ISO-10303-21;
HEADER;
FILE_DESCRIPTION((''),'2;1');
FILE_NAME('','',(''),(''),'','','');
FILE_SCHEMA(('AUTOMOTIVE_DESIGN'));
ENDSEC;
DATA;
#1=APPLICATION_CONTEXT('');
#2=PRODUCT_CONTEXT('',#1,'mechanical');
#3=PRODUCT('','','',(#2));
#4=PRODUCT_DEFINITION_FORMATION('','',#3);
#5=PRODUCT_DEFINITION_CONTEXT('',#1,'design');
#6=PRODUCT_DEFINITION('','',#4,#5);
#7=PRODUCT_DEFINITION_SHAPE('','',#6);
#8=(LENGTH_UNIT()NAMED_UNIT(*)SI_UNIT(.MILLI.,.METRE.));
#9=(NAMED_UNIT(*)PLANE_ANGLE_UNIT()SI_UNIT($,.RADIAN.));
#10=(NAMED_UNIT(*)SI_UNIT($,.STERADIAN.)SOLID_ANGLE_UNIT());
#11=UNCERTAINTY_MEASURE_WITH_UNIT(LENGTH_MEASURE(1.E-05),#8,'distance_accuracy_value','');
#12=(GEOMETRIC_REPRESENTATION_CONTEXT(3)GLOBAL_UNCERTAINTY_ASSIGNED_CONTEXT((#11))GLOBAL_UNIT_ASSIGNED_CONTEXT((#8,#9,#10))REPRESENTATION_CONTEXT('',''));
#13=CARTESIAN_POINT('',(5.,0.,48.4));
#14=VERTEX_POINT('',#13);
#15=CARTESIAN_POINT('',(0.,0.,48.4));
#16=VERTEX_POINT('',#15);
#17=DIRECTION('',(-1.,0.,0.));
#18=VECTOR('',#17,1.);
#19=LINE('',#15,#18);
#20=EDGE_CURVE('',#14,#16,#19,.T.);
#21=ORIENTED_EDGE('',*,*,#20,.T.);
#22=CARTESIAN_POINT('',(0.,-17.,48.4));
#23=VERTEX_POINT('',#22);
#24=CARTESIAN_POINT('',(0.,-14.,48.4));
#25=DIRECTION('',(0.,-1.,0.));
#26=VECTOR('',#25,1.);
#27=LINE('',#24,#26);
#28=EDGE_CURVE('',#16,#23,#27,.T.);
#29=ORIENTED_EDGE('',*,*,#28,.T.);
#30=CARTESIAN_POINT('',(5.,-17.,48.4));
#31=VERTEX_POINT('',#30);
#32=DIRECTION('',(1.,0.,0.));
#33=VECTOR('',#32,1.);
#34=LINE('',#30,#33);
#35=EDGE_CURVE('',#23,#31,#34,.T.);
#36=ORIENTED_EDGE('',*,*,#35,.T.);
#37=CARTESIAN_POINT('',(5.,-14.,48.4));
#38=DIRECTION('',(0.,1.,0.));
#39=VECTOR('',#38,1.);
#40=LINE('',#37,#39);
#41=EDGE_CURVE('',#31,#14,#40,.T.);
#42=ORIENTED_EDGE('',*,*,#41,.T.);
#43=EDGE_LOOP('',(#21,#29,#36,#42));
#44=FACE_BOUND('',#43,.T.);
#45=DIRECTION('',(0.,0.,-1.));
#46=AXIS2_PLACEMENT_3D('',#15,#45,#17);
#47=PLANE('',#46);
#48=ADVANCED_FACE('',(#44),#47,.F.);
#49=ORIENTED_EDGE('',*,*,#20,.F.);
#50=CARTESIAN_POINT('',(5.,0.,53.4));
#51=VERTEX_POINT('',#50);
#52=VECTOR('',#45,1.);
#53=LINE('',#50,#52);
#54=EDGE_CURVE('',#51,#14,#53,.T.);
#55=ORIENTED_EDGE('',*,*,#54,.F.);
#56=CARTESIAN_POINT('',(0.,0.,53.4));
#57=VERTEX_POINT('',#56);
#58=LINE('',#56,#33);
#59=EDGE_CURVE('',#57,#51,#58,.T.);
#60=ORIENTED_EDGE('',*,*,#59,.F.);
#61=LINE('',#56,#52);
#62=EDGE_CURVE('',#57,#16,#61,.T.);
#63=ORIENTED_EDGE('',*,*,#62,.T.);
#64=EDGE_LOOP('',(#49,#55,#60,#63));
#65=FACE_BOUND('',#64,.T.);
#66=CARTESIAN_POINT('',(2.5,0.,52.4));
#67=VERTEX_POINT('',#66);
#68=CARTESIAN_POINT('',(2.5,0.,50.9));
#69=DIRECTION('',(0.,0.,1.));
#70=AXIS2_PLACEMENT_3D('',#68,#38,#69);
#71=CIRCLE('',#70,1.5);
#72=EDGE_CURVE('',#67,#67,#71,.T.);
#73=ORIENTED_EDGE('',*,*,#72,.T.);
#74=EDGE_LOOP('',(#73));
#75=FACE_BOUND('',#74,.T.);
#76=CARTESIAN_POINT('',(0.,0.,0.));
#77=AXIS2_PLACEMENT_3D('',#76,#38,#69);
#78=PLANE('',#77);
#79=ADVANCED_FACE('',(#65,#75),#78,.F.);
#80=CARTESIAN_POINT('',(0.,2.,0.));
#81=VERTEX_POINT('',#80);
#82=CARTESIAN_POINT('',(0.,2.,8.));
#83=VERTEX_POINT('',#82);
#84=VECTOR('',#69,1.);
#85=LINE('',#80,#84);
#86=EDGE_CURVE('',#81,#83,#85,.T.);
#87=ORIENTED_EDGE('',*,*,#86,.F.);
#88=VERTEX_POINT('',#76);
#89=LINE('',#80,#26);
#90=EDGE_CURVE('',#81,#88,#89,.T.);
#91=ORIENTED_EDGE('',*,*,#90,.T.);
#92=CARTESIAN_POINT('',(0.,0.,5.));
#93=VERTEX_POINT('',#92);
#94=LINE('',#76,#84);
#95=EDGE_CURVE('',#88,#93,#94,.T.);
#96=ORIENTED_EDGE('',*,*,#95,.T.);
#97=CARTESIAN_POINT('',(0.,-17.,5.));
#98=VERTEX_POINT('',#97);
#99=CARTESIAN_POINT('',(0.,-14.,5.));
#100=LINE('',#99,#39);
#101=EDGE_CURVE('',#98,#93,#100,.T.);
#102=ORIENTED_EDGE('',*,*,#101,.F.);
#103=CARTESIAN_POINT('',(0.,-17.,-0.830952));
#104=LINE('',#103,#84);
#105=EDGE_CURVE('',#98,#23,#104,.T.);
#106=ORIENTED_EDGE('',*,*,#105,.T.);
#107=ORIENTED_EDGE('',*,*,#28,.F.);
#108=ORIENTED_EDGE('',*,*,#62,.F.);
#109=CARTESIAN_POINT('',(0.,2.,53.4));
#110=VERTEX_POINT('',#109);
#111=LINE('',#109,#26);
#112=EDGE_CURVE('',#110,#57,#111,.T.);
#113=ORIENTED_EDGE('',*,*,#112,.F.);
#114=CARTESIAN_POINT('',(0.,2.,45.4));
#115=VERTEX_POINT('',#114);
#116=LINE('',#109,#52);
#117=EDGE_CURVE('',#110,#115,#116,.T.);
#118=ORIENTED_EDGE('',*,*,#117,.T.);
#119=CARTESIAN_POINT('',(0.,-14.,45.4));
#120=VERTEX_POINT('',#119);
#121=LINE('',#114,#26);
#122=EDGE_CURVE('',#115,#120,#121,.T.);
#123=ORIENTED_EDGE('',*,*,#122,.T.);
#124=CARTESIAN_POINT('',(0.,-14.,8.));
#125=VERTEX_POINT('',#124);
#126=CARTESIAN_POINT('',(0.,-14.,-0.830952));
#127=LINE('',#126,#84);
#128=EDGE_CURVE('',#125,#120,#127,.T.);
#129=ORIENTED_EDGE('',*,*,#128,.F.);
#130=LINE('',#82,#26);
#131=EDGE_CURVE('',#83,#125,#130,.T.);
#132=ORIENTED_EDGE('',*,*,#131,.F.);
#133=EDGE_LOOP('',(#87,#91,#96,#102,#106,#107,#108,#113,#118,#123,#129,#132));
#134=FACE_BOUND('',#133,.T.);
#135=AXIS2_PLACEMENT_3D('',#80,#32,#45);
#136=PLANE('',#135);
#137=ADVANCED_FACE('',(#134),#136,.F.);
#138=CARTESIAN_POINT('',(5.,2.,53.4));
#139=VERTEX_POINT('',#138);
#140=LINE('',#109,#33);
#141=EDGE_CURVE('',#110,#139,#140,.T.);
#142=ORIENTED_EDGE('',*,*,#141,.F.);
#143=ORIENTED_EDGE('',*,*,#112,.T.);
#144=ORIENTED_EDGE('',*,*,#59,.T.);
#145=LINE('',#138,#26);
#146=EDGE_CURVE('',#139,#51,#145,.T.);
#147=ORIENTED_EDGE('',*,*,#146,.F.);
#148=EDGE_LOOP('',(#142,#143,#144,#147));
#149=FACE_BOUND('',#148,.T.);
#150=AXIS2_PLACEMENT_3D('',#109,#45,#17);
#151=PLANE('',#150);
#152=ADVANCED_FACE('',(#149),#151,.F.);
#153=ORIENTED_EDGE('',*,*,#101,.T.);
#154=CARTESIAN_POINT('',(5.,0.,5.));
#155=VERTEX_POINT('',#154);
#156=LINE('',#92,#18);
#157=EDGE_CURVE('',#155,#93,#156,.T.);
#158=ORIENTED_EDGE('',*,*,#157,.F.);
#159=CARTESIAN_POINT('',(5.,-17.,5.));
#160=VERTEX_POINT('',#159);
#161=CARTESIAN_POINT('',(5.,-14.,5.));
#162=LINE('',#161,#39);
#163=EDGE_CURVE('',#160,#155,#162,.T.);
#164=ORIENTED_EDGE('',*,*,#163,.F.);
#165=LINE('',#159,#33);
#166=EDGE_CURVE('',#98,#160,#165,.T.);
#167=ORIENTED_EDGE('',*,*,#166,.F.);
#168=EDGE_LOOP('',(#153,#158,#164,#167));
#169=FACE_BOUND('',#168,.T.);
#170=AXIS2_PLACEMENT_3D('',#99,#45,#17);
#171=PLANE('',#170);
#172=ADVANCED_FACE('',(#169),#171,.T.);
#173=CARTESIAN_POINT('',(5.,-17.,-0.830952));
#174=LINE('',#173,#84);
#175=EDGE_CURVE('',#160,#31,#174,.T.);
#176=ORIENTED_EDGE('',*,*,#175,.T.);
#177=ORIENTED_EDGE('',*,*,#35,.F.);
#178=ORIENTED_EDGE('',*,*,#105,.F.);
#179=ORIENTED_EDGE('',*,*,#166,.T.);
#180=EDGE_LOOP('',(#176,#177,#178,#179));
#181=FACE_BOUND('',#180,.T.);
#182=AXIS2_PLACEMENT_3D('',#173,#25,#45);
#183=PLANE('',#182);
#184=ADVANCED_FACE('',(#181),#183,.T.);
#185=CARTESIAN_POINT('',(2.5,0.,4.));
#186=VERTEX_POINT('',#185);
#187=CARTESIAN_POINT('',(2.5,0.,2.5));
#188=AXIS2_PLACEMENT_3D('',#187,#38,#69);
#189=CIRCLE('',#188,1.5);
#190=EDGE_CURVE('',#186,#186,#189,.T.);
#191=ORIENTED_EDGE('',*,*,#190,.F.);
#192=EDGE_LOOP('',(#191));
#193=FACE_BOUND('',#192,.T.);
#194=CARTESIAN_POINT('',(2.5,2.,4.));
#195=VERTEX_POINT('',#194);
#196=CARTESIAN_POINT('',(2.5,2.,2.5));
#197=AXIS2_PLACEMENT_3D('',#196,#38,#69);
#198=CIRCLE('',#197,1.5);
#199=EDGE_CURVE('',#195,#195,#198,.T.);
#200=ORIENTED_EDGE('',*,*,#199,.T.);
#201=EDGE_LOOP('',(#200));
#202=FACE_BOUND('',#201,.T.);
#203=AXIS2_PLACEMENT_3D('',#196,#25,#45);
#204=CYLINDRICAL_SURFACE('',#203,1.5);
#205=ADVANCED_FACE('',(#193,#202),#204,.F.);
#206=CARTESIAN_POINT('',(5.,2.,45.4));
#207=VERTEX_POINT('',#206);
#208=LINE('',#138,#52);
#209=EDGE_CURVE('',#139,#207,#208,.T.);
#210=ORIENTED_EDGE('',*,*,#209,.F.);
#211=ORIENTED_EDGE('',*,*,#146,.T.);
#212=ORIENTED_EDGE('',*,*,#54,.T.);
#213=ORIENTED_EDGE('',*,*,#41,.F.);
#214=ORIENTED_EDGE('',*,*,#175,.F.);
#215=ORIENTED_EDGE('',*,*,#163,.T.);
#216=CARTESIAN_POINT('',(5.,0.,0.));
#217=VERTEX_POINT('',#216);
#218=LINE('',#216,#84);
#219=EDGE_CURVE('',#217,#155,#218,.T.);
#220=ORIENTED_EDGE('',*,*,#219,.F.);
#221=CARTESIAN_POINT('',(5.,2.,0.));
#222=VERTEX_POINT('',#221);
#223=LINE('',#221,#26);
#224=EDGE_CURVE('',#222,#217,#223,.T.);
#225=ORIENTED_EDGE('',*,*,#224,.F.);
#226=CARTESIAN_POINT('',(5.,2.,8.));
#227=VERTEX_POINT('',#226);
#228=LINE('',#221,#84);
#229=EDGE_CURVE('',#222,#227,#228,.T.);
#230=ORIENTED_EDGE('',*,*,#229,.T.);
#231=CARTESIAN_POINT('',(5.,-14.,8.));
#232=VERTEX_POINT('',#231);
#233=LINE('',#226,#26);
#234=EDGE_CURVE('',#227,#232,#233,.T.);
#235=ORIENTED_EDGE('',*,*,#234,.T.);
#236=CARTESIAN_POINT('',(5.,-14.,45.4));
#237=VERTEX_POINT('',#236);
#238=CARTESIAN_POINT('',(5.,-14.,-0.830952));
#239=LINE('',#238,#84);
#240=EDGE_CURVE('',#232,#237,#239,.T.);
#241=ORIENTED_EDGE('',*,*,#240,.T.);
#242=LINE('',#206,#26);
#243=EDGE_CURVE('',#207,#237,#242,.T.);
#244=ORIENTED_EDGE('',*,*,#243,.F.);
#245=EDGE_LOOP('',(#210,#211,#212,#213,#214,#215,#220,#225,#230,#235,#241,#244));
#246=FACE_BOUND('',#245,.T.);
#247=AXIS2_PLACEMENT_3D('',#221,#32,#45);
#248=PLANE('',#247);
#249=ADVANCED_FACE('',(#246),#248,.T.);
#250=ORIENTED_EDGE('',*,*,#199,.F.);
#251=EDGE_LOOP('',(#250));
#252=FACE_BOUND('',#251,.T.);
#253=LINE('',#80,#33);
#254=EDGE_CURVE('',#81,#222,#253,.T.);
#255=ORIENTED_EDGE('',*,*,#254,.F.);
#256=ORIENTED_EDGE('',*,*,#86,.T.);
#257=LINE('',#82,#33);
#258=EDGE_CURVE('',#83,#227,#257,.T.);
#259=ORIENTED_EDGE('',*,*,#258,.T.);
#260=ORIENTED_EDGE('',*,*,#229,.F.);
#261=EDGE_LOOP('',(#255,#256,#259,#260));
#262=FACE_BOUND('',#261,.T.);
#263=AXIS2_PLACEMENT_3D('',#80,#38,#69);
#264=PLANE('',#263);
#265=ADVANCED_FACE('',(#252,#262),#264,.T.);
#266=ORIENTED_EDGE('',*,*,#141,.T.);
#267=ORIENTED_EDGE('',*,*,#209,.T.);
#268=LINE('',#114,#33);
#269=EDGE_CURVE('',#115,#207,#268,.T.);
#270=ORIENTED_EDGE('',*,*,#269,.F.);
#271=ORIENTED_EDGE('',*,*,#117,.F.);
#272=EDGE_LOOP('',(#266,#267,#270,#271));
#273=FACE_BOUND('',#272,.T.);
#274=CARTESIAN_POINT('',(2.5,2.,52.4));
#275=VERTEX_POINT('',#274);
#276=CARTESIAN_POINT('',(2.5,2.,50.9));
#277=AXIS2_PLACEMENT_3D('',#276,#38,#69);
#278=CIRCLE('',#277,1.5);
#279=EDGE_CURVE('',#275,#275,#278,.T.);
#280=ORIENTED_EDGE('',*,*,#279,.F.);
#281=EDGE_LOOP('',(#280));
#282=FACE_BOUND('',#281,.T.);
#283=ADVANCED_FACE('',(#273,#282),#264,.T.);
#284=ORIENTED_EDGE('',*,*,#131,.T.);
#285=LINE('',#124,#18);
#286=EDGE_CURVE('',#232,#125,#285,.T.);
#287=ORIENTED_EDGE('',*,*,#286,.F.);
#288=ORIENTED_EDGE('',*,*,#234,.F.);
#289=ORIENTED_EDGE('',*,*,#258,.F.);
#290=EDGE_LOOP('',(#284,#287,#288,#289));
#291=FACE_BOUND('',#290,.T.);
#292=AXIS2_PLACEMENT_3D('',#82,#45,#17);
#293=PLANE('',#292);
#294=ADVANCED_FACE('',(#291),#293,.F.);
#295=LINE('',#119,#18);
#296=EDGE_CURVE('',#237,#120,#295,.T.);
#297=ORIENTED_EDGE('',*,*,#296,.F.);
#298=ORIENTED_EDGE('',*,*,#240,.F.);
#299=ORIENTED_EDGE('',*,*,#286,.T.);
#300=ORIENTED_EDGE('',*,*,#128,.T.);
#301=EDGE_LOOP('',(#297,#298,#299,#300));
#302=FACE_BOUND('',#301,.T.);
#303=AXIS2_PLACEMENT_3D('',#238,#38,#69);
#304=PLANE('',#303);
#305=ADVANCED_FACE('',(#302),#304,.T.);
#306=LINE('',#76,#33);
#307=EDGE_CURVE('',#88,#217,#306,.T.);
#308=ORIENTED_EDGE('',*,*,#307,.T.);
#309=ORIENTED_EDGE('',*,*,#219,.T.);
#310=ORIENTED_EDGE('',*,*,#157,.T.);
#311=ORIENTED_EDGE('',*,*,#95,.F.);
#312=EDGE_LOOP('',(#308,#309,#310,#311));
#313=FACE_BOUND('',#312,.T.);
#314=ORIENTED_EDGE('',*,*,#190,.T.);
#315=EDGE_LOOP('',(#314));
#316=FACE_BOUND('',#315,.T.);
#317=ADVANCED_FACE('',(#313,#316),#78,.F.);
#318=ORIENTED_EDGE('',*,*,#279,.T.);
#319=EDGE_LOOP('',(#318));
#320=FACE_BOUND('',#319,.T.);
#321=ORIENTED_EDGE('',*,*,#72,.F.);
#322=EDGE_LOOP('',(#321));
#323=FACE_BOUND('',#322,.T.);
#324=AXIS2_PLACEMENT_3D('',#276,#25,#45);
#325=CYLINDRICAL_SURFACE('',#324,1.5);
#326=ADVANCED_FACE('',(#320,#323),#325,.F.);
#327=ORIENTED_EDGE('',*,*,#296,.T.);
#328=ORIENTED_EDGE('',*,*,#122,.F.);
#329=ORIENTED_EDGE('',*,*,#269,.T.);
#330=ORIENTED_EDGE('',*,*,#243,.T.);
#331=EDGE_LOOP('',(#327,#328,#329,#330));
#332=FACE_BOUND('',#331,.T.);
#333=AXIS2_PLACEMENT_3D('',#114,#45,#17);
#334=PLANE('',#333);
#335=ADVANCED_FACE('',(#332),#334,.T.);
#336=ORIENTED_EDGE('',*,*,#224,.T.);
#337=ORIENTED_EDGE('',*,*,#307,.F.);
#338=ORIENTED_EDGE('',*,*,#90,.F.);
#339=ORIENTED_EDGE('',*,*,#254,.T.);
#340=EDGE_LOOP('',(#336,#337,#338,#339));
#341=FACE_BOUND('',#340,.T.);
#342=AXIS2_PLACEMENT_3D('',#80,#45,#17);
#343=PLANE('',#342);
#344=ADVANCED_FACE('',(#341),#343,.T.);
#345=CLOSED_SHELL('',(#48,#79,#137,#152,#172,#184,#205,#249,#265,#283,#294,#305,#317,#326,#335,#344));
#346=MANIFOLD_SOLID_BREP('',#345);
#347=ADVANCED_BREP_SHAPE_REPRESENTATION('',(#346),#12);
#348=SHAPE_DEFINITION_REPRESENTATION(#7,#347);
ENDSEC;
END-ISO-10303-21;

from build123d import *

# Parameters (mm, degrees)
SKETCH_1_W        = 5
SKETCH_1_H        = 8
SKETCH_1_R        = 1.5
EXTRUDE_1_DEPTH   = 2
EXTRUDE_1_2_DEPTH = 2
EXTRUDE_START     = 2
SKETCH_1_6_W      = 5
SKETCH_1_6_H      = 3
EXTRUDE_2_DEPTH   = 16
SKETCH_2_W        = 5
SKETCH_2_H        = 3
EXTRUDE_3_DEPTH   = 43.4


with BuildPart() as part:
    # 草图1 → 凸台-拉伸1 (new body)
    with BuildSketch(Plane(origin=(0, 0, 0), x_dir=(1, 0, 0), z_dir=(0, 1, 0))):
        with Locations((2.5, -4)):
            Rectangle(SKETCH_1_W, SKETCH_1_H)
        with Locations(Location((2.5, -2.5, 0), (0, 0, 270))):
            Circle(SKETCH_1_R, mode=Mode.SUBTRACT)
    extrude(amount=EXTRUDE_1_DEPTH)



with BuildPart() as body_2:
    # 草图1 → Extrude 1 2 (new body)
    with BuildSketch(Plane(origin=(0, 0, 0), x_dir=(1, 0, 0), z_dir=(0, 1, 0))):
        with Locations((2.5, -49.4)):
            Rectangle(SKETCH_1_W, SKETCH_1_H)
        with Locations(Location((2.5, -50.9, 0), (0, 0, 270))):
            Circle(SKETCH_1_R, mode=Mode.SUBTRACT)
    extrude(amount=EXTRUDE_1_2_DEPTH)


with BuildPart() as part_1:
    add(part.part)

    add(body_2.part)  # 凸台-拉伸2 merges body 2
    # 草图1<6> → 凸台-拉伸2 (add)
    with BuildSketch(Plane(origin=(0, 0, 0), x_dir=(1, 0, 0), z_dir=(0, 1, 0)).offset(EXTRUDE_START)):
        with Locations((2.5, -46.9)):
            Rectangle(SKETCH_1_6_W, SKETCH_1_6_H)
        with Locations((2.5, -6.5)):
            Rectangle(SKETCH_1_6_W, SKETCH_1_6_H)
    extrude(amount=-EXTRUDE_2_DEPTH)

    # 草图2 → 凸台-拉伸3 (add)
    with BuildSketch(Plane.XY.offset(48.4)):
        with Locations((2.5, -15.5)):
            Rectangle(SKETCH_2_W, SKETCH_2_H)
    extrude(amount=-EXTRUDE_3_DEPTH)


solid = part_1.part
